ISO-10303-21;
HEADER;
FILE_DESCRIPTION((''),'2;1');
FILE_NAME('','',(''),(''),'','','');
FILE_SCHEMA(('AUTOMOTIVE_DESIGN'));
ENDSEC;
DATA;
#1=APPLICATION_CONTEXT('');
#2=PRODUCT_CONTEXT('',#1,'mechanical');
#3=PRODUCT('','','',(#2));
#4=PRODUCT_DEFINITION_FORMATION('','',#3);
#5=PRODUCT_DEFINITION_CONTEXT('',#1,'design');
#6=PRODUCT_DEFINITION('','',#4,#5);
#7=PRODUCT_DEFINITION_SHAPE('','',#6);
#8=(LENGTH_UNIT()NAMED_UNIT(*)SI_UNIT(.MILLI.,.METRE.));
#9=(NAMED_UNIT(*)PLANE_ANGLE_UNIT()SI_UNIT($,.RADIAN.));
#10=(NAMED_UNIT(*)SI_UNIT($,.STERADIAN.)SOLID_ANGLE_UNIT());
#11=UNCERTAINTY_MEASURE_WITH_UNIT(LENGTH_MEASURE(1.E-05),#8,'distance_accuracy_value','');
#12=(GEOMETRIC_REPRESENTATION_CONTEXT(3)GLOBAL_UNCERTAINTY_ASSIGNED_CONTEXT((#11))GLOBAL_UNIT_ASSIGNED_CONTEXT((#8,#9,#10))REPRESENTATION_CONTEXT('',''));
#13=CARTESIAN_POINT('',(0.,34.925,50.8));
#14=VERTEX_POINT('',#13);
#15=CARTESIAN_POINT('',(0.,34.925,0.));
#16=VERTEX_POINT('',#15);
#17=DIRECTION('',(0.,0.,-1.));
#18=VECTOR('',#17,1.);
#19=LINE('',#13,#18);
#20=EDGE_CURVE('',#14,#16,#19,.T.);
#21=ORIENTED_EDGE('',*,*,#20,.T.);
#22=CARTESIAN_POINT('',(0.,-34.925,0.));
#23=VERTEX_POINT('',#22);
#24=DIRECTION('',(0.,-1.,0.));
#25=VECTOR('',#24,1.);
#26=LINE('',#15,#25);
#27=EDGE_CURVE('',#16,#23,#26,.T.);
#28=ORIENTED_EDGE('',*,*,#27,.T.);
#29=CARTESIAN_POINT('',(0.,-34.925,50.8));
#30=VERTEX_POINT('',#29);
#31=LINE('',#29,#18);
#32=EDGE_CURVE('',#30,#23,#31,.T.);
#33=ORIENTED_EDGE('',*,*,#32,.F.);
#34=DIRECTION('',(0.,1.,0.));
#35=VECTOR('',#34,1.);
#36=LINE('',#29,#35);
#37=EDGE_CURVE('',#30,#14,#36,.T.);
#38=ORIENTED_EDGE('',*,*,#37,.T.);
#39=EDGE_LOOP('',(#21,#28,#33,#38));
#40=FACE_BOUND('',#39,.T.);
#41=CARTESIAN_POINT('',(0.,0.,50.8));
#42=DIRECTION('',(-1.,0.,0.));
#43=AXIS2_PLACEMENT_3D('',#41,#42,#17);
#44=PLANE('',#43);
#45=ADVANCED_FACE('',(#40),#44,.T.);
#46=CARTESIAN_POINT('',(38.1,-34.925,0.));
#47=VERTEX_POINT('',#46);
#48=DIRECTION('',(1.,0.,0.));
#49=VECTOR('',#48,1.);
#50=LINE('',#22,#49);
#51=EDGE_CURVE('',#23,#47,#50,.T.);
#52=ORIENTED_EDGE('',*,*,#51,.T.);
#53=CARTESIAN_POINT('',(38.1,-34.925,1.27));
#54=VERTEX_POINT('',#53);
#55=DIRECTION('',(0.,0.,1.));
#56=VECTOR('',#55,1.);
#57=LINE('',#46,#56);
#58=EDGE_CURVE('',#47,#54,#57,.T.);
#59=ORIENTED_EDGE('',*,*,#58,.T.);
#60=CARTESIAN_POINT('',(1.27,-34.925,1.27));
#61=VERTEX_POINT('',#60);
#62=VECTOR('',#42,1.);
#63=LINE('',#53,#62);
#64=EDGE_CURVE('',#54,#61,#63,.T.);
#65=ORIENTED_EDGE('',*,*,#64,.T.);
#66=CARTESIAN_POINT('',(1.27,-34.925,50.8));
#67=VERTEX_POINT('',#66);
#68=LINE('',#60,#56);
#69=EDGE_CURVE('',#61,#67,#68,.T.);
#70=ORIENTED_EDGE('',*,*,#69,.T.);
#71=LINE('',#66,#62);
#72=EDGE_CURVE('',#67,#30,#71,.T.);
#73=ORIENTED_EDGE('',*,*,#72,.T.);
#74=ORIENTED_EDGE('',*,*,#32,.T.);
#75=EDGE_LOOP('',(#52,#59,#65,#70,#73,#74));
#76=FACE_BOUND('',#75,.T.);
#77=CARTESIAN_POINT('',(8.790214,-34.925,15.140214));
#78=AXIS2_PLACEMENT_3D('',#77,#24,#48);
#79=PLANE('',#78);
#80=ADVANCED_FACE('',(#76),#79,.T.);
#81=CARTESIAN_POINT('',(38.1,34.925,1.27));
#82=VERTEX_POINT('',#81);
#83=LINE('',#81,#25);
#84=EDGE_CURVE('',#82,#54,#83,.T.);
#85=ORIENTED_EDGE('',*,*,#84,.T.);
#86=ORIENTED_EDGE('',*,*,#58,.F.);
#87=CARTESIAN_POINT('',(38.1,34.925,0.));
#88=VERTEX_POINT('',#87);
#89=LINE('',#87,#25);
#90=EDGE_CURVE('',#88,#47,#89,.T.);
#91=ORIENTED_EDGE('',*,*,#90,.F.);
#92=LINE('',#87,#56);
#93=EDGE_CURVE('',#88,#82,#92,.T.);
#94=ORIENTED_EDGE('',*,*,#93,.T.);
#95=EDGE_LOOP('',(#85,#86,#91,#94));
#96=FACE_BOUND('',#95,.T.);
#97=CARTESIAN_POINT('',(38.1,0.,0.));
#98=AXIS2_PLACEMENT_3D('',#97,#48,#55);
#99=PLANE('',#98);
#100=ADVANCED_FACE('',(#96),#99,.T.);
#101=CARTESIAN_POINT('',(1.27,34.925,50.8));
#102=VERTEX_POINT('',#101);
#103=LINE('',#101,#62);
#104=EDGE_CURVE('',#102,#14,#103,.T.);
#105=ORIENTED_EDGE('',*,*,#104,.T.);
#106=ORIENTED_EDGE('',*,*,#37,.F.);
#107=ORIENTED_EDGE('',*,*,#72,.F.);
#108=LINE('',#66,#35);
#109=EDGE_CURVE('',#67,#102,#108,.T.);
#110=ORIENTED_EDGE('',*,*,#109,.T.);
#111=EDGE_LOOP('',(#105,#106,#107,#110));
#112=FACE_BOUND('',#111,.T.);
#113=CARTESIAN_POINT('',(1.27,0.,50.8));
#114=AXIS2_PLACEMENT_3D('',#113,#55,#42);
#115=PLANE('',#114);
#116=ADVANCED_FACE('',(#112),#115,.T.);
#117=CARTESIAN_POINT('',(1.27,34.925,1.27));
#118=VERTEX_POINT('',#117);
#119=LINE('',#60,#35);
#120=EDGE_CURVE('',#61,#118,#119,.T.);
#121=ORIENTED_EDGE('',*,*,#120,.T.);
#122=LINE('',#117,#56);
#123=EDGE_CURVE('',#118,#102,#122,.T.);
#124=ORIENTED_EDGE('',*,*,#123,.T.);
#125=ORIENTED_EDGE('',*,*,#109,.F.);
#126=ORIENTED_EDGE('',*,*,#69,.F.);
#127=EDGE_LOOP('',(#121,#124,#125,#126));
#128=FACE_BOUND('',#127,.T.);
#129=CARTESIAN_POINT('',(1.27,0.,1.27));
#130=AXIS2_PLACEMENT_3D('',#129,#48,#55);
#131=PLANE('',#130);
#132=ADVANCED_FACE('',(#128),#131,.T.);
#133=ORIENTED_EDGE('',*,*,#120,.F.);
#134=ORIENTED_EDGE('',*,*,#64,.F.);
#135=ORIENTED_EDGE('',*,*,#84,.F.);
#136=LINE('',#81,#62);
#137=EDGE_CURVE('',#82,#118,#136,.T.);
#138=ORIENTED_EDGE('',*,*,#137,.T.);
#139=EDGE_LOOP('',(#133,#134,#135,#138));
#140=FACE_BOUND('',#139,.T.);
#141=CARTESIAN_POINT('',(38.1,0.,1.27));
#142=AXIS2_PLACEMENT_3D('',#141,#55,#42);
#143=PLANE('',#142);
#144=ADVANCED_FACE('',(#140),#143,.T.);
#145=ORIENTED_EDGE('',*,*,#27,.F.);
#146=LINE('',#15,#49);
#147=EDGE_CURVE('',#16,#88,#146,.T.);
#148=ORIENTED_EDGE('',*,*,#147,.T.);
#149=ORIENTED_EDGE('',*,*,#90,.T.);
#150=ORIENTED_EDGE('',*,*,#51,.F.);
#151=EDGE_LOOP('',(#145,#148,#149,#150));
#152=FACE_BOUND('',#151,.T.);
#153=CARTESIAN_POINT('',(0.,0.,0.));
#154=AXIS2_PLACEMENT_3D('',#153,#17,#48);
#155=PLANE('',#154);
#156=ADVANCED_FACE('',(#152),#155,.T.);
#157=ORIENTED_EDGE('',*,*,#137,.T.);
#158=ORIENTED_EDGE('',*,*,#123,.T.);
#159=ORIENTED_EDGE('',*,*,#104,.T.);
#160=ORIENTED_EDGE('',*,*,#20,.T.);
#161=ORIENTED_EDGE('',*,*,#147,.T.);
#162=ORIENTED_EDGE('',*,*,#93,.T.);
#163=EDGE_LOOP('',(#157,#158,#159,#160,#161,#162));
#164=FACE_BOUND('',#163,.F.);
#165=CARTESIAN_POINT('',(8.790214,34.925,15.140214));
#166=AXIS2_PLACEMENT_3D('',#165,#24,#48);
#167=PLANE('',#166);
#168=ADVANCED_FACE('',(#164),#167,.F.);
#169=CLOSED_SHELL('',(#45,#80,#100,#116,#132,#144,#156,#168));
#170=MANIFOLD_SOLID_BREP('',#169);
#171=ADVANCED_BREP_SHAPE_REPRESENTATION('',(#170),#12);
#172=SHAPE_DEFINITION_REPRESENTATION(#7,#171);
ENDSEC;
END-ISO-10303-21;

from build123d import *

# Parameters (mm, degrees)
F1_DEPTH      = 34.925
F1_DEPTH_BACK = 34.925


with BuildPart() as f1:
    # F0 (on Front) → F1 (new body, two sides)
    with BuildSketch(Plane.XZ) as f1_sk:
        Polygon((0, 50.8), (0, 0), (38.1, 0), (38.1, 1.27), (1.27, 1.27), (1.27, 50.8), align=None)
    extrude(amount=F1_DEPTH)
    extrude(f1_sk.sketch, amount=-F1_DEPTH_BACK)


solid = f1.part
